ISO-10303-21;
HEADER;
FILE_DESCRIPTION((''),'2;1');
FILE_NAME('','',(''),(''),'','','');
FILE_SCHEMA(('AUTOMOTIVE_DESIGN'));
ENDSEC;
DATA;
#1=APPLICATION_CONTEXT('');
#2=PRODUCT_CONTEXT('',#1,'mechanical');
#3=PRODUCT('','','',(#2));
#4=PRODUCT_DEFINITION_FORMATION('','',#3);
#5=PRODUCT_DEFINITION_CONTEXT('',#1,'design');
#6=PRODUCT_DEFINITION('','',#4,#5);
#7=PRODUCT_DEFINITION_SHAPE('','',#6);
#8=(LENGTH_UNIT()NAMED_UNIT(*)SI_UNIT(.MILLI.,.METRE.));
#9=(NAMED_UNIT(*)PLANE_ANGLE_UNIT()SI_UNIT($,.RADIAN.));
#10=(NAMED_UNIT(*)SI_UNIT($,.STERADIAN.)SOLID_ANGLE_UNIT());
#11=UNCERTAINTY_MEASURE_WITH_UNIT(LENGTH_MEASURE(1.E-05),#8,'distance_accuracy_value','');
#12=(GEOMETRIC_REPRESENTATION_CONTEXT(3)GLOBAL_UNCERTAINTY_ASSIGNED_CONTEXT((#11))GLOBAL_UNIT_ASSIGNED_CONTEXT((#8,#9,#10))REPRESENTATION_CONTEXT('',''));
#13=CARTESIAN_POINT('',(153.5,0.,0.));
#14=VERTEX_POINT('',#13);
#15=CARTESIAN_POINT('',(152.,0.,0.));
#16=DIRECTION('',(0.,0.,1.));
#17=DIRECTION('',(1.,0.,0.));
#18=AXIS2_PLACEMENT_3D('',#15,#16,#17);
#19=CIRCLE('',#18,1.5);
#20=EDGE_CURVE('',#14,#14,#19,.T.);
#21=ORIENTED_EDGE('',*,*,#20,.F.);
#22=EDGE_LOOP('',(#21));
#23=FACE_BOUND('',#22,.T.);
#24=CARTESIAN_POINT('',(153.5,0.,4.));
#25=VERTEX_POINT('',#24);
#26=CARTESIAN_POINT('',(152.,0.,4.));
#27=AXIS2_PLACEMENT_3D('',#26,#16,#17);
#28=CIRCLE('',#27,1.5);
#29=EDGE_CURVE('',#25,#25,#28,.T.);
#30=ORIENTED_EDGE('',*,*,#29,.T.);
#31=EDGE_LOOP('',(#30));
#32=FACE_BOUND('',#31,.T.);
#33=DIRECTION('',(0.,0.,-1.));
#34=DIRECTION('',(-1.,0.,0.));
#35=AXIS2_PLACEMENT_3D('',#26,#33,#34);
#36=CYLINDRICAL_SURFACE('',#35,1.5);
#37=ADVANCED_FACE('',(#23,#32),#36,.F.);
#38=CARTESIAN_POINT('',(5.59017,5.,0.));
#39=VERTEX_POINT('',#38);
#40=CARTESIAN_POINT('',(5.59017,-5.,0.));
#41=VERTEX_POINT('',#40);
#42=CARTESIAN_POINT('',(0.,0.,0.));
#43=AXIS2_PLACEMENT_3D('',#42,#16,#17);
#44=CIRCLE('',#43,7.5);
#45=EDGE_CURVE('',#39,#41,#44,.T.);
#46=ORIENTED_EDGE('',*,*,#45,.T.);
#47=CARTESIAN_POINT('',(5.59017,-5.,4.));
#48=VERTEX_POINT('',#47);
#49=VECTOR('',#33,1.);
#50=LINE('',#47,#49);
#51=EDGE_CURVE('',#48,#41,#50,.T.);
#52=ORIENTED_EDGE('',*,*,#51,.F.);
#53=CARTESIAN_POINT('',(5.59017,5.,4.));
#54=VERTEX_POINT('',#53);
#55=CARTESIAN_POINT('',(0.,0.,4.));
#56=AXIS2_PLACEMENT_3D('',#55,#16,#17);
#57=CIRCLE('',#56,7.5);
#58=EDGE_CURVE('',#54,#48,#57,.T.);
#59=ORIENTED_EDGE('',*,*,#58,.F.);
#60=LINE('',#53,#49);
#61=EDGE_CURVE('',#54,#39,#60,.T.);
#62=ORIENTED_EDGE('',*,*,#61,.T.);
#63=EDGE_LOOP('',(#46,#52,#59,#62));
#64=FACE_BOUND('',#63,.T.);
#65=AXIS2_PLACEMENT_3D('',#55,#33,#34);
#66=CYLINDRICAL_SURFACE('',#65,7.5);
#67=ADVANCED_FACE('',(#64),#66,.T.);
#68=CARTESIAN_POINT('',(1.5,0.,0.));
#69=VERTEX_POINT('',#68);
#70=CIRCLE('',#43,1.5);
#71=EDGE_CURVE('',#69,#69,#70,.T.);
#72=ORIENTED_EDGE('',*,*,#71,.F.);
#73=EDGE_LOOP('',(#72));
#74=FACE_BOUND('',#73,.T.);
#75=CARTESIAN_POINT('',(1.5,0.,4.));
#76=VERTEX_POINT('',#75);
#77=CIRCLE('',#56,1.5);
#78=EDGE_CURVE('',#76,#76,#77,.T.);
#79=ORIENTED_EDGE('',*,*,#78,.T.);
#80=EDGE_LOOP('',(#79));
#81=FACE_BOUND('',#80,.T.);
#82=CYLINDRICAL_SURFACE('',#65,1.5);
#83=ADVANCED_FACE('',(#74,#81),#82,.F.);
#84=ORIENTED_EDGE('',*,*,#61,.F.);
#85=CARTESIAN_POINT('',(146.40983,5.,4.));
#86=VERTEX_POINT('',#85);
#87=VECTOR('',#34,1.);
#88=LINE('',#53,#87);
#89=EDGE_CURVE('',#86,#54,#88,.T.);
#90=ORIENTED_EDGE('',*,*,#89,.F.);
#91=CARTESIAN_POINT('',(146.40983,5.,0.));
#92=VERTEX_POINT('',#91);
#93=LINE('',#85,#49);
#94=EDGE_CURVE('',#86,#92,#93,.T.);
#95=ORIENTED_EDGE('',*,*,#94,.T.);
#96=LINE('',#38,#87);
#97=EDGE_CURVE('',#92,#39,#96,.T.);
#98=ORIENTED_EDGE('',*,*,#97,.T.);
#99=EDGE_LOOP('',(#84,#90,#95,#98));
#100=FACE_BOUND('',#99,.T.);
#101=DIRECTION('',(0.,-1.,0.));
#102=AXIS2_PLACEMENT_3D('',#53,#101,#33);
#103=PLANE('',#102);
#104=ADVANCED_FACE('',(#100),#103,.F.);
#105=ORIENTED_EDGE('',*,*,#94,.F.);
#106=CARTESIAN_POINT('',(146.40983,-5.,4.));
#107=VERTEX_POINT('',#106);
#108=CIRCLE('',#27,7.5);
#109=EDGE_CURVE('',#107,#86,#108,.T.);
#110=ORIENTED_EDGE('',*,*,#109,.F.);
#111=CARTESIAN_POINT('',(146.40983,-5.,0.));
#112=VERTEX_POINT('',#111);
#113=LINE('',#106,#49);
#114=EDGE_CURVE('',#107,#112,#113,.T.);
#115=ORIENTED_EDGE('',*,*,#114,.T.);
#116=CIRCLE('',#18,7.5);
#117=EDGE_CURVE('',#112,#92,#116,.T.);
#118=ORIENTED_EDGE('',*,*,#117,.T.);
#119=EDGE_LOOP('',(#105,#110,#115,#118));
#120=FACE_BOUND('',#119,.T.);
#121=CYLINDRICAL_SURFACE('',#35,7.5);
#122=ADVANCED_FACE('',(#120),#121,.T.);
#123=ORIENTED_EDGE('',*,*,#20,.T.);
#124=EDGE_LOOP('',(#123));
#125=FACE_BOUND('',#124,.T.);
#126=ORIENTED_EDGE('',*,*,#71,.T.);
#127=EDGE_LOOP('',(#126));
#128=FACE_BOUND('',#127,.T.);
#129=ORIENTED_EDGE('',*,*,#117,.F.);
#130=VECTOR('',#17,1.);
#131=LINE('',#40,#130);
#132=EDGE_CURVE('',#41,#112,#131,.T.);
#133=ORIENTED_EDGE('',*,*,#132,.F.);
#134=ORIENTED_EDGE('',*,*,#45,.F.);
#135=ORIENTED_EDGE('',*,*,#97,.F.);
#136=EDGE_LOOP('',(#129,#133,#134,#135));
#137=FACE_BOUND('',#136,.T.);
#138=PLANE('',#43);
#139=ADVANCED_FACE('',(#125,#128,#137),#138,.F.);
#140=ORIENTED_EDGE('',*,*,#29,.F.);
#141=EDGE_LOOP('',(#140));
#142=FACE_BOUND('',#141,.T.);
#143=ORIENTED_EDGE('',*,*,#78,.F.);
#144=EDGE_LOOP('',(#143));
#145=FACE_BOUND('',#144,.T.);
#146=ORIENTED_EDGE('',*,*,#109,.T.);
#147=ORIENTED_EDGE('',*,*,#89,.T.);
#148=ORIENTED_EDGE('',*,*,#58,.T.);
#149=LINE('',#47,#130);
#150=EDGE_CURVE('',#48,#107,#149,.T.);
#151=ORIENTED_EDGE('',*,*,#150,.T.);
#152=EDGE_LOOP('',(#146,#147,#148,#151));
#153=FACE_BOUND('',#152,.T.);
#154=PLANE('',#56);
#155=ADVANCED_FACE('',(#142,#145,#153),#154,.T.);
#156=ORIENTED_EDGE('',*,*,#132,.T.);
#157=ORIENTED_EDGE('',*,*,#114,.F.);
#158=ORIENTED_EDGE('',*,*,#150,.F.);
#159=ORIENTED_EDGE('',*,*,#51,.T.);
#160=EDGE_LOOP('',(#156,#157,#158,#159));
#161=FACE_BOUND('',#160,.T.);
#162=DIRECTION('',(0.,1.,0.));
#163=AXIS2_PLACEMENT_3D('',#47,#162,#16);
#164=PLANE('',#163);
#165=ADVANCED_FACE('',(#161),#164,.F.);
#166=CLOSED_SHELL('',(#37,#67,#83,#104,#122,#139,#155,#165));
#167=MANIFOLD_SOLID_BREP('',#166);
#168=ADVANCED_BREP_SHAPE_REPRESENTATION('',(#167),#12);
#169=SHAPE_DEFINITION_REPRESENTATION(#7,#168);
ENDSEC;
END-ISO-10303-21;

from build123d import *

# Parameters (mm, degrees)
SCHIZZO1_R                   = 1.5
ESTRUSIONE_ESTRUSIONE1_DEPTH = 4


with BuildPart() as part:
    # Schizzo1 → Estrusione-Estrusione1 (new body)
    with BuildSketch(Plane.XY):
        with BuildLine():
            Line((5.590169944, -5), (146.409830056, -5))
            ThreePointArc((146.409830056, -5), (159.5, 0), (146.409830056, 5))
            Line((146.409830056, 5), (5.590169944, 5))
            ThreePointArc((5.590169944, 5), (-7.5, 0), (5.590169944, -5))
        make_face()
        Circle(SCHIZZO1_R, mode=Mode.SUBTRACT)
        with Locations((152, 0)):
            Circle(SCHIZZO1_R, mode=Mode.SUBTRACT)
    extrude(amount=ESTRUSIONE_ESTRUSIONE1_DEPTH)


solid = part.part
